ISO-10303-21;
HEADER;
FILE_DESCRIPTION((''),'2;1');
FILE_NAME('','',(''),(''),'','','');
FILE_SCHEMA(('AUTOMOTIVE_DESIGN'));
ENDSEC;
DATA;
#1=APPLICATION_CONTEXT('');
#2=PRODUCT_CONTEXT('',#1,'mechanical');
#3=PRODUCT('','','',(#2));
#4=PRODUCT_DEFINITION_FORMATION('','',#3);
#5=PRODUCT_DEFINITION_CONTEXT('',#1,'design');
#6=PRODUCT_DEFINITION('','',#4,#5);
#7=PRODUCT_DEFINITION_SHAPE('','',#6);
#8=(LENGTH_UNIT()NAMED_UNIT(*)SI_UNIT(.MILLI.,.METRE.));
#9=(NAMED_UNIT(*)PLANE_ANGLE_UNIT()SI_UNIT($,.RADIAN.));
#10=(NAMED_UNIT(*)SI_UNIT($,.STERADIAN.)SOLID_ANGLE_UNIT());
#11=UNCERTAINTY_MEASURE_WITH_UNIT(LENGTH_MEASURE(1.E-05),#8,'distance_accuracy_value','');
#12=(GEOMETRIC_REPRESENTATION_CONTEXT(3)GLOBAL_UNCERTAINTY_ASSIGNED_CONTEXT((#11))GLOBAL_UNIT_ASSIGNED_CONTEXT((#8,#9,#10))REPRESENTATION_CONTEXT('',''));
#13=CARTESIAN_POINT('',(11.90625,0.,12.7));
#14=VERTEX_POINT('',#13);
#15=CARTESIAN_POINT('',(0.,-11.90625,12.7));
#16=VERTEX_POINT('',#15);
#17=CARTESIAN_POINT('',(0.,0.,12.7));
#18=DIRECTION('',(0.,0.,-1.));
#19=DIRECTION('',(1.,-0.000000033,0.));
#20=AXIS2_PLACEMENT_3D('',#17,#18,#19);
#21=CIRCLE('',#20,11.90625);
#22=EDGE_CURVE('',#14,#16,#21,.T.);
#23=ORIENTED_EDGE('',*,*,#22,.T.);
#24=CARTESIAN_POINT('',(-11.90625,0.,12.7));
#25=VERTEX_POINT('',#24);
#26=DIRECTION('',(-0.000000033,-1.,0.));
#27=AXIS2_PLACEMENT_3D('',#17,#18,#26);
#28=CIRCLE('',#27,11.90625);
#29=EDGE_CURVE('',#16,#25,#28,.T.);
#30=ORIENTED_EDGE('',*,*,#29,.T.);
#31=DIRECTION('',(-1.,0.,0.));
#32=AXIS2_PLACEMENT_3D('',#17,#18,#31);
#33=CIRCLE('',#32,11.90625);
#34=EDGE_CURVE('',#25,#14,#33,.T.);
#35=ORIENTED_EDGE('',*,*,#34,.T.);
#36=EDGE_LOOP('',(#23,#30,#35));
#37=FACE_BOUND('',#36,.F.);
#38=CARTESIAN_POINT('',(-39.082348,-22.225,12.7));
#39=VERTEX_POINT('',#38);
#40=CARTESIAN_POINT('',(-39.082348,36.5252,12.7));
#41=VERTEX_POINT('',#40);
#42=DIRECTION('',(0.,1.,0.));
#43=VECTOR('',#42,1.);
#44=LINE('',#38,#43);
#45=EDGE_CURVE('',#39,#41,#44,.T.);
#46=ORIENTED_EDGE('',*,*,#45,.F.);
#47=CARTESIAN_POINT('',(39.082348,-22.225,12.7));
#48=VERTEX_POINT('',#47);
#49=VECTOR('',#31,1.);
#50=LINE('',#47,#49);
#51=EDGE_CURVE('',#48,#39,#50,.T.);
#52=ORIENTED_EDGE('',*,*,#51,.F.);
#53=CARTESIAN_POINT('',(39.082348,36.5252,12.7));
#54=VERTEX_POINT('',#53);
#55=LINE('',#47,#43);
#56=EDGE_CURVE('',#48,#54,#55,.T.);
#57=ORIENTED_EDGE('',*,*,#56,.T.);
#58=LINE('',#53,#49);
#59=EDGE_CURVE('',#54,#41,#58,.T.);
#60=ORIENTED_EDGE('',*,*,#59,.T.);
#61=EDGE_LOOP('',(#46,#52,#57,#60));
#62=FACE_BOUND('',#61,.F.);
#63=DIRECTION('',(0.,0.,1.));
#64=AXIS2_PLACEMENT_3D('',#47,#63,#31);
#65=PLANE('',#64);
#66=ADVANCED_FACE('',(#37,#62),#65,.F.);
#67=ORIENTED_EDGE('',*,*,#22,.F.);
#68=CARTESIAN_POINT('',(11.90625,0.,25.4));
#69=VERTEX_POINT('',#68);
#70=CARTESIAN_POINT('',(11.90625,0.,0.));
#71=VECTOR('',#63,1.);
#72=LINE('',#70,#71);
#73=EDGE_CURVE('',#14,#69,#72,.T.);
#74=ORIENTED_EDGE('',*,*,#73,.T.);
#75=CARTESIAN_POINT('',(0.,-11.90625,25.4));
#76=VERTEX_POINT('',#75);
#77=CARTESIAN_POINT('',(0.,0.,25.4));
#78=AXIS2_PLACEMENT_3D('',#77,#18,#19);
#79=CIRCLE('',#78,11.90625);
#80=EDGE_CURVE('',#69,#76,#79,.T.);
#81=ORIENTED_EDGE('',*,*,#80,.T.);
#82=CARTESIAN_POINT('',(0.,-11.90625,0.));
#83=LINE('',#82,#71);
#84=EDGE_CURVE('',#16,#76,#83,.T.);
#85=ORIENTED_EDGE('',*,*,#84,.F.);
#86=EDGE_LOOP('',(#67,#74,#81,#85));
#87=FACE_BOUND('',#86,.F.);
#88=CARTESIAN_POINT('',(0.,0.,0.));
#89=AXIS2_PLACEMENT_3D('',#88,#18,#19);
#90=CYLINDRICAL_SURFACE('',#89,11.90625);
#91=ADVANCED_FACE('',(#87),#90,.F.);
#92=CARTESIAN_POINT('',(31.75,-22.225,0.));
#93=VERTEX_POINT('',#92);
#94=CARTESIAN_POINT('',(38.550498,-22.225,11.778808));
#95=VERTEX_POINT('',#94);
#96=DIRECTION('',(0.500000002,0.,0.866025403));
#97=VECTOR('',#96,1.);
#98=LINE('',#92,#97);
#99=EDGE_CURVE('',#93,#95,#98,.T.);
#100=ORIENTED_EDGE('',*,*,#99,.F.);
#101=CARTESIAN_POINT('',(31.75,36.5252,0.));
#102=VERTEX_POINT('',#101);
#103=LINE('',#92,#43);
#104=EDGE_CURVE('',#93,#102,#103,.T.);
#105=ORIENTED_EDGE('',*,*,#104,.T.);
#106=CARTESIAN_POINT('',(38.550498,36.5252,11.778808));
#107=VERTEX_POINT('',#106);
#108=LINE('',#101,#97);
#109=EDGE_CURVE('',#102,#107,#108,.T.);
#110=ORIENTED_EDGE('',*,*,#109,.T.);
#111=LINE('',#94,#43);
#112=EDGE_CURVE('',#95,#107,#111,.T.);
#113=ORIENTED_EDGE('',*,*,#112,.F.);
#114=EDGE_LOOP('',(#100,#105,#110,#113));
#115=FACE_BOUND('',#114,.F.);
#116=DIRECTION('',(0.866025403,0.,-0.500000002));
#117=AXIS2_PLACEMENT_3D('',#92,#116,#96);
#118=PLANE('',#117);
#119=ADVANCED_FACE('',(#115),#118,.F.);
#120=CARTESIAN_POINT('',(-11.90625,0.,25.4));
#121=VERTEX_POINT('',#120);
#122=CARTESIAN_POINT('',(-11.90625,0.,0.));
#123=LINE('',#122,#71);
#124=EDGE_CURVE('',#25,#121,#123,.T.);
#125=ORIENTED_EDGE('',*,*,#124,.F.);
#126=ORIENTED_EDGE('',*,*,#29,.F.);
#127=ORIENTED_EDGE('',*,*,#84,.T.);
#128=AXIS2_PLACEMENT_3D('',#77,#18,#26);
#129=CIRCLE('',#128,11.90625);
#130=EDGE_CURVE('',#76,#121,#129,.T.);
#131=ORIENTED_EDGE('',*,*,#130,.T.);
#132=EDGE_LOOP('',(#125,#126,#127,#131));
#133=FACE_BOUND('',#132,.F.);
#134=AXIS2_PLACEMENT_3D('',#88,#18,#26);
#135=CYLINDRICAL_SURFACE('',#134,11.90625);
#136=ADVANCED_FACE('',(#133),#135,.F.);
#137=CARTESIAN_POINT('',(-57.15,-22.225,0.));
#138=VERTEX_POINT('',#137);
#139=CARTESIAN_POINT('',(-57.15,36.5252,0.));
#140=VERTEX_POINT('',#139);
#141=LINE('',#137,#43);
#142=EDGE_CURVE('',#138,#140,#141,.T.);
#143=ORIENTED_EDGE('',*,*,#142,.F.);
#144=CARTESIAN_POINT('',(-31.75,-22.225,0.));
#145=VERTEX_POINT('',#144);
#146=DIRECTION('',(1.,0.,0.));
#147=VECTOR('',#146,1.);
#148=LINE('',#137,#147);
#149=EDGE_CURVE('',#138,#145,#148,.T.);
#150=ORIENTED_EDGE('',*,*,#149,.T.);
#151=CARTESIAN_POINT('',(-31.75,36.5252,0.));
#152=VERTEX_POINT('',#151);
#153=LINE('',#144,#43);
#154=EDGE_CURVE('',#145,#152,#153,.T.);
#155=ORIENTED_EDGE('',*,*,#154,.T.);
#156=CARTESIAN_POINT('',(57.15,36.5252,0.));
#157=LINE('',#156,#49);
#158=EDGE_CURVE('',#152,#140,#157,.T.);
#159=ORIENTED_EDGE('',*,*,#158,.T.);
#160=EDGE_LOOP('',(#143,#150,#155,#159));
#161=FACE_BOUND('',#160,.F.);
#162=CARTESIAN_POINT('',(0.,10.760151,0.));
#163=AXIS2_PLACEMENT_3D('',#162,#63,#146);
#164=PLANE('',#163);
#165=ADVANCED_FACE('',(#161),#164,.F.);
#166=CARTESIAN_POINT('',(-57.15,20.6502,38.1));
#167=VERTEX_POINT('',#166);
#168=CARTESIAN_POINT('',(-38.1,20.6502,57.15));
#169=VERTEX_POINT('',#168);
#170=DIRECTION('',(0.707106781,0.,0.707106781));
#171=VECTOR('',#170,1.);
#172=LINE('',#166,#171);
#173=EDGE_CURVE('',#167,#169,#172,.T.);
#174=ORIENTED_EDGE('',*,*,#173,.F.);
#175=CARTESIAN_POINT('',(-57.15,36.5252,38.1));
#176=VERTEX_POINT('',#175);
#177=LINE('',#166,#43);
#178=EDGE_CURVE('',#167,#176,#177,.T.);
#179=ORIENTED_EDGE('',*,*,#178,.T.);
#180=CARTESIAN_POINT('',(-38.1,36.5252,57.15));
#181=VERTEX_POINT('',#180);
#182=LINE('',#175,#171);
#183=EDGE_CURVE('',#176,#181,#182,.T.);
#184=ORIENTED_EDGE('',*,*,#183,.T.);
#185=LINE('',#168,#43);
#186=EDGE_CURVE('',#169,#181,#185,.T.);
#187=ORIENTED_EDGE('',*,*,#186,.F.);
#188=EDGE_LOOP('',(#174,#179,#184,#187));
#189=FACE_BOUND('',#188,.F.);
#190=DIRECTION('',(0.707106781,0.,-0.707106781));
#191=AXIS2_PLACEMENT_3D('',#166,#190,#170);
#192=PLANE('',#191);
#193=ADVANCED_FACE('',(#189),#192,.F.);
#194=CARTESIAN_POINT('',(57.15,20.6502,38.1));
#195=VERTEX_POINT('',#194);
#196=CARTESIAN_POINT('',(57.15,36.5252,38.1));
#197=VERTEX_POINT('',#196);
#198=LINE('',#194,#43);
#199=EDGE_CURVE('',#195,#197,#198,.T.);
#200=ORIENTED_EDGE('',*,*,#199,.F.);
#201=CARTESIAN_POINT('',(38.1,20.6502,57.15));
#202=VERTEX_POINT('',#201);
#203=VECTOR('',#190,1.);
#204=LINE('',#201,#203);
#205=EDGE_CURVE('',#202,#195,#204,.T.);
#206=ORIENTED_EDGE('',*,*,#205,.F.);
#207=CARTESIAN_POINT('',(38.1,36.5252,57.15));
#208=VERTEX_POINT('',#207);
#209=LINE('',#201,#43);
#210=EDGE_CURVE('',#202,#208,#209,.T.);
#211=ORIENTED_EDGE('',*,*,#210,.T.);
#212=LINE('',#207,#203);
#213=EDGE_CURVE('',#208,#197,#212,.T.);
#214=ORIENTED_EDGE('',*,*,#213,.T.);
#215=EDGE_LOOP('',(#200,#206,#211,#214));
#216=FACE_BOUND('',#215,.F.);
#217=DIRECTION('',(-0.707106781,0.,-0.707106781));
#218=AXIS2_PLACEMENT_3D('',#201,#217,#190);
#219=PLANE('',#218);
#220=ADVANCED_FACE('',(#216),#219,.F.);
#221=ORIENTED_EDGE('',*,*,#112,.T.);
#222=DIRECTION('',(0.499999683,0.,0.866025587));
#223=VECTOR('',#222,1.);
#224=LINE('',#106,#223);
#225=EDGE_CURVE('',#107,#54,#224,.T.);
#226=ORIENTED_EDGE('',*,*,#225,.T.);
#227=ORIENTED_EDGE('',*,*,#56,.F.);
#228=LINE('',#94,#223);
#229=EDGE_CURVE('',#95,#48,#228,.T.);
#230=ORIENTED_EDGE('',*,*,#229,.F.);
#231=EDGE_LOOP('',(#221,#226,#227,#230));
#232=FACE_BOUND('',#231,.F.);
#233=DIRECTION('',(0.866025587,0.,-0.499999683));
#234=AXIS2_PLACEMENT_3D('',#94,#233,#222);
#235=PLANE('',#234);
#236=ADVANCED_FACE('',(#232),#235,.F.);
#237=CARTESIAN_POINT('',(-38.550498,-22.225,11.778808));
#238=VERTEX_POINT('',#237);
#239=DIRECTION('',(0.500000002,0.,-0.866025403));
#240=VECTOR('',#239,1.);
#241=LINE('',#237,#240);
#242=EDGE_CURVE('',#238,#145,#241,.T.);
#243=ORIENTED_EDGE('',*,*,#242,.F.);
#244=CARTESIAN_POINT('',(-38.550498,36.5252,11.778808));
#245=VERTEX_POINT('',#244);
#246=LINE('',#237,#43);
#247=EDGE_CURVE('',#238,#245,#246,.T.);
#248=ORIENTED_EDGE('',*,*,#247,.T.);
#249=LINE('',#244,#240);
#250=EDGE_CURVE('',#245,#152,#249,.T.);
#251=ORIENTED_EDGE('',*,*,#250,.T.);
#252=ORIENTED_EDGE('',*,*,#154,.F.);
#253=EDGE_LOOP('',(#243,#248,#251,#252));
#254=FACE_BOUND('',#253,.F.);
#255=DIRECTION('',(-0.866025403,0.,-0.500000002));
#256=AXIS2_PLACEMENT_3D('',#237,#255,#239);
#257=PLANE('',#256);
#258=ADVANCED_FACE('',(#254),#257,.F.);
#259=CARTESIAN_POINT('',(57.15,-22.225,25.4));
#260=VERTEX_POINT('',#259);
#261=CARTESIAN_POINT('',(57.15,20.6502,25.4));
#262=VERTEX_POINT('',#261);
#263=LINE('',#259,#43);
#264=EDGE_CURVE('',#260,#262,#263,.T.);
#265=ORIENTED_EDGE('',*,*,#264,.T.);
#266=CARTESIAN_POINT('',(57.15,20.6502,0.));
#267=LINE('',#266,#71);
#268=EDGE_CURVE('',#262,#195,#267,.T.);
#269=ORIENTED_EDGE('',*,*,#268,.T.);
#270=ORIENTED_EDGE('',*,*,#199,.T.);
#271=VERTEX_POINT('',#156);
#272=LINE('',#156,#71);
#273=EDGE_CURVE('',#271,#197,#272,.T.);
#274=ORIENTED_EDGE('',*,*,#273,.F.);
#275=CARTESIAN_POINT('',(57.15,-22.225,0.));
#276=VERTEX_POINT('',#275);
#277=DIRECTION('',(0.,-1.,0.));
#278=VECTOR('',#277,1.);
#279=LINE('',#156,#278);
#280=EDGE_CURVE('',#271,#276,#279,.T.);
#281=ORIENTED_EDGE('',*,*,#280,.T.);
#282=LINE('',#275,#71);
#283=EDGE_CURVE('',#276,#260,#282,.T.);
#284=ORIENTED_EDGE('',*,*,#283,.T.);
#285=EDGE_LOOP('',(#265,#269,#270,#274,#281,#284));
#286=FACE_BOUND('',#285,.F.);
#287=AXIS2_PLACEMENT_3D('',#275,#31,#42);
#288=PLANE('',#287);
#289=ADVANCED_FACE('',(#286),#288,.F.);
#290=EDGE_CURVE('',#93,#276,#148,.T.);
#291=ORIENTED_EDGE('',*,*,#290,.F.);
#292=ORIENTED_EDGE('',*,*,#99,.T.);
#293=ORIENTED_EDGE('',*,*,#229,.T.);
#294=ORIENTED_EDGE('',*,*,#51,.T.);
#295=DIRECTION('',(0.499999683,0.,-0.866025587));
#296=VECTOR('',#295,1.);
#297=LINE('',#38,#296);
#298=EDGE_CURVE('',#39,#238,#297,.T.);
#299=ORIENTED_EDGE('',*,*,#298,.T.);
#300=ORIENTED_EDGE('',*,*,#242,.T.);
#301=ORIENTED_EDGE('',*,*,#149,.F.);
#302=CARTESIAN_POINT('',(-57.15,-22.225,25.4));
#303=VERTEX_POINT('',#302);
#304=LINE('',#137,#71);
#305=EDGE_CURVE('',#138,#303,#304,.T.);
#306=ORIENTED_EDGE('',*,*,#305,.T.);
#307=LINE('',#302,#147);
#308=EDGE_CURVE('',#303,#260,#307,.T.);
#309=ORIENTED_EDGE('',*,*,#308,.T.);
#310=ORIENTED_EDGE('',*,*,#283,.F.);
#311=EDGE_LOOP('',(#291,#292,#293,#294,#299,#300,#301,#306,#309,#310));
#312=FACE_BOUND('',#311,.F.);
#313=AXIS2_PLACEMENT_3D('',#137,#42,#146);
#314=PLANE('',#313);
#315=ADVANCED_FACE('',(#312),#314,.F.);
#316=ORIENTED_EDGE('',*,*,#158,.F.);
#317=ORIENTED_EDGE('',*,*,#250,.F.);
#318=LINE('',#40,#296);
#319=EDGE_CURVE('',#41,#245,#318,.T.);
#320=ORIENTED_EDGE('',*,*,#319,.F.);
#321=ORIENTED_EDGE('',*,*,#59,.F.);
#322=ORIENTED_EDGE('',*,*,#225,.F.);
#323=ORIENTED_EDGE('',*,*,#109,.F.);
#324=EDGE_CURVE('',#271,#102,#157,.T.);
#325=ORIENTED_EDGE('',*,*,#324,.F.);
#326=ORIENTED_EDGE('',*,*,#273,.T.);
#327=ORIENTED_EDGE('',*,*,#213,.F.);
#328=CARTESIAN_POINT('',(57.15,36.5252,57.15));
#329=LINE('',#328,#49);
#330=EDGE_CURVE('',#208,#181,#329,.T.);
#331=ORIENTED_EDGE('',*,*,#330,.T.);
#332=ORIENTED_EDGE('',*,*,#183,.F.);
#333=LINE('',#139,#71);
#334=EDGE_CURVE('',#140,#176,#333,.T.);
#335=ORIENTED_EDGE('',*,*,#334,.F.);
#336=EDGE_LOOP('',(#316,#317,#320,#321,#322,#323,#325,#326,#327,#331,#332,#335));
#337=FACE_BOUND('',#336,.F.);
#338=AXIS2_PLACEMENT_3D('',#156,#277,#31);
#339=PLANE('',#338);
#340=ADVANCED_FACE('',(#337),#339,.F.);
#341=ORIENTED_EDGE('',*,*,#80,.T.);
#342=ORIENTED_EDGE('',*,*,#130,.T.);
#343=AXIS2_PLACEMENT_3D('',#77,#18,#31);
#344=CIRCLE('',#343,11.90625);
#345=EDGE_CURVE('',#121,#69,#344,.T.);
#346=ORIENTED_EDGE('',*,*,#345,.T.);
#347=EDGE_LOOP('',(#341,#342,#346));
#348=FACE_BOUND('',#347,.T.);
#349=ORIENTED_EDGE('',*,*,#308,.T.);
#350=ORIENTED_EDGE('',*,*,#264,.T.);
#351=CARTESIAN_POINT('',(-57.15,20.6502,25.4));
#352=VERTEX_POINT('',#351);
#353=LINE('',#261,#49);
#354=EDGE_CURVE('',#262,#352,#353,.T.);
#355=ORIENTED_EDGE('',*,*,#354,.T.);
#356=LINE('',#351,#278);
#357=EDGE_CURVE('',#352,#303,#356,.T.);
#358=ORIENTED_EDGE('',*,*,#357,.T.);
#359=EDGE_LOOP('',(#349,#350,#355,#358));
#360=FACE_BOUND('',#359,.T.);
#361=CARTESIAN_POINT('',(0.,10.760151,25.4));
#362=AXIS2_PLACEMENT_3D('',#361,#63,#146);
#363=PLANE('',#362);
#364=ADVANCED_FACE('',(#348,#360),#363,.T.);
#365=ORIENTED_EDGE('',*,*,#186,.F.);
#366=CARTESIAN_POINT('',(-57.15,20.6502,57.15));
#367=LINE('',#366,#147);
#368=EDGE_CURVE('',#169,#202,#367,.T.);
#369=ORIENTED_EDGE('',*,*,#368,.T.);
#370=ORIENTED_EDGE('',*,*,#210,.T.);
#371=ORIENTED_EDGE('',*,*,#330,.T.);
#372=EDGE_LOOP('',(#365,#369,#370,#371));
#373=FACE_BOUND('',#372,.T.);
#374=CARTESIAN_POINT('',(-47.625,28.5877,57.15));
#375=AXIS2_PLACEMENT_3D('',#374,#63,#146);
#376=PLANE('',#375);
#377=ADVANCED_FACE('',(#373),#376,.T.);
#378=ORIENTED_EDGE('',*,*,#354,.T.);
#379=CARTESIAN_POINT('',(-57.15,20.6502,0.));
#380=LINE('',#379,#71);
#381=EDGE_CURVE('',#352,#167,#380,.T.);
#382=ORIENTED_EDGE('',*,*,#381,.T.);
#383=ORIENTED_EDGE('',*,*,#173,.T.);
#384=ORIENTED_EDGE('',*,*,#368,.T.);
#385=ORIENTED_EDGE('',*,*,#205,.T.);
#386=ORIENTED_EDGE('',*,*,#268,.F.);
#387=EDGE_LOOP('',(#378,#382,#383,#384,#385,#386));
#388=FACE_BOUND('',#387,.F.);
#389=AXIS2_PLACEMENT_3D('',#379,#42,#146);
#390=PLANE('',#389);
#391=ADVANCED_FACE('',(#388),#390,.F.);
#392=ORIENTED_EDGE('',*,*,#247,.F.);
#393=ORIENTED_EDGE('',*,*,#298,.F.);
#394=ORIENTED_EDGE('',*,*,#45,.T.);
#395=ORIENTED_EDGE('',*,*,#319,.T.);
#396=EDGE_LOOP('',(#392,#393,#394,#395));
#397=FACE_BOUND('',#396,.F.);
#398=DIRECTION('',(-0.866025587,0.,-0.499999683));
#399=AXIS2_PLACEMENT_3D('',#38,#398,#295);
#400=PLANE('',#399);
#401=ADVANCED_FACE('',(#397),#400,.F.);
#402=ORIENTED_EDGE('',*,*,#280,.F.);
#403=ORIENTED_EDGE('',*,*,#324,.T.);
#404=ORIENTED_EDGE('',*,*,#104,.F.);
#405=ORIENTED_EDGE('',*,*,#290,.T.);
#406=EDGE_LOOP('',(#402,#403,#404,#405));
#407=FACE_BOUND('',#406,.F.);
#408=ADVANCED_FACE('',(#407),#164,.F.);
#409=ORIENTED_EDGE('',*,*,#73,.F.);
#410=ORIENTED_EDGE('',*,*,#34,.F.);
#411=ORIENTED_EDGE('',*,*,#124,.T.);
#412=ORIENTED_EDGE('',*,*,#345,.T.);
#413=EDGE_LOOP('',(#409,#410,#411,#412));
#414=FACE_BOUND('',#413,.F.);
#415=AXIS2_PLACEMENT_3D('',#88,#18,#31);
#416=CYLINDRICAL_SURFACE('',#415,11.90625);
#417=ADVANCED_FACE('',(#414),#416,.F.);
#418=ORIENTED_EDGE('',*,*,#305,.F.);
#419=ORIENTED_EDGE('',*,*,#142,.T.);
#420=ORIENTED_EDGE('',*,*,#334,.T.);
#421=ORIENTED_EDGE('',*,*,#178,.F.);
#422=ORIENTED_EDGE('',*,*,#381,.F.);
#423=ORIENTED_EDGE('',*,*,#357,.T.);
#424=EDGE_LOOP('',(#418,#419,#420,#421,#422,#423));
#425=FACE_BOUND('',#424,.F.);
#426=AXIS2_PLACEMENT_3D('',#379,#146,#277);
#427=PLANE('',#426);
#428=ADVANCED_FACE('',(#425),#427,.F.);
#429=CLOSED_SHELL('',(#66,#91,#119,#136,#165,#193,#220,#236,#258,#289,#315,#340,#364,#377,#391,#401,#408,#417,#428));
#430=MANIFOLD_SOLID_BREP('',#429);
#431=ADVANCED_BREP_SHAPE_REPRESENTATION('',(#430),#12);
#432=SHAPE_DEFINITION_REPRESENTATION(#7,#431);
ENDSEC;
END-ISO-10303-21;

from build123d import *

# Parameters (mm, degrees)
F0_W     = 19.05
F0_H     = 15.875
F0_W_2   = 76.2
F1_DEPTH = 57.15
F2_DEPTH = 25.4
F4_DEPTH = 15.875
F6_DEPTH = 58.7502


with BuildPart() as f1:
    # F0 (on Top) → F1 (new body)
    with BuildSketch(Plane.XY):
        with Locations((-47.625, 28.5877)):
            Rectangle(F0_W, F0_H)
        with Locations((0, 28.5877)):
            Rectangle(F0_W_2, F0_H)
        with Locations((47.625, 28.5877)):
            Rectangle(F0_W, F0_H)
    extrude(amount=F1_DEPTH)

    # F0 (on Top) → F2 (join)
    with BuildSketch(Plane.XY):
        with BuildLine():
            ThreePointArc((-11.90625, 0), (0, 11.90625), (11.90625, 0))
            Line((11.90625, 0), (57.15, 0))
            Line((57.15, 0), (57.15, 20.6502))
            Line((57.15, 20.6502), (38.1, 20.6502))
            Line((38.1, 20.6502), (-38.1, 20.6502))
            Line((-38.1, 20.6502), (-57.15, 20.6502))
            Line((-57.15, 20.6502), (-57.15, 0))
            Line((-57.15, 0), (-11.90625, 0))
        make_face()
        with BuildLine():
            ThreePointArc((0, -11.90625), (-8.41899, -8.41899), (-11.90625, 0))
            Line((-11.90625, 0), (-57.15, 0))
            Line((-57.15, 0), (-57.15, -22.225))
            Line((-57.15, -22.225), (0, -22.225))
            Line((0, -22.225), (0, -11.90625))
        make_face()
        with BuildLine():
            Line((57.15, 0), (11.90625, 0))
            ThreePointArc((11.90625, 0), (8.41899, -8.41899), (0, -11.90625))
            Line((0, -11.90625), (0, -22.225))
            Line((0, -22.225), (57.15, -22.225))
            Line((57.15, -22.225), (57.15, 0))
        make_face()
    extrude(amount=F2_DEPTH)

    # F3 (on face) → F4 (cut)
    with BuildSketch(Plane.XZ.offset(-20.6502)):
        Polygon((-38.1, 57.15), (-57.15, 57.15), (-57.15, 38.1), align=None)
        Polygon((57.15, 57.15), (38.1, 57.15), (57.15, 38.1), align=None)
    extrude(amount=-F4_DEPTH, mode=Mode.SUBTRACT)

    # F5 (on face) → F6 (cut)
    with BuildSketch(Plane.XZ.offset(22.225)):
        Polygon((-38.550498, 11.778808), (-31.75, 0), (0, 0), (0, 12.7), (-39.082348, 12.7), align=None)
        Polygon((0, 12.7), (0, 0), (31.75, 0), (38.550498, 11.778808), (39.082348, 12.7), align=None)
    extrude(amount=-F6_DEPTH, mode=Mode.SUBTRACT)


solid = f1.part
